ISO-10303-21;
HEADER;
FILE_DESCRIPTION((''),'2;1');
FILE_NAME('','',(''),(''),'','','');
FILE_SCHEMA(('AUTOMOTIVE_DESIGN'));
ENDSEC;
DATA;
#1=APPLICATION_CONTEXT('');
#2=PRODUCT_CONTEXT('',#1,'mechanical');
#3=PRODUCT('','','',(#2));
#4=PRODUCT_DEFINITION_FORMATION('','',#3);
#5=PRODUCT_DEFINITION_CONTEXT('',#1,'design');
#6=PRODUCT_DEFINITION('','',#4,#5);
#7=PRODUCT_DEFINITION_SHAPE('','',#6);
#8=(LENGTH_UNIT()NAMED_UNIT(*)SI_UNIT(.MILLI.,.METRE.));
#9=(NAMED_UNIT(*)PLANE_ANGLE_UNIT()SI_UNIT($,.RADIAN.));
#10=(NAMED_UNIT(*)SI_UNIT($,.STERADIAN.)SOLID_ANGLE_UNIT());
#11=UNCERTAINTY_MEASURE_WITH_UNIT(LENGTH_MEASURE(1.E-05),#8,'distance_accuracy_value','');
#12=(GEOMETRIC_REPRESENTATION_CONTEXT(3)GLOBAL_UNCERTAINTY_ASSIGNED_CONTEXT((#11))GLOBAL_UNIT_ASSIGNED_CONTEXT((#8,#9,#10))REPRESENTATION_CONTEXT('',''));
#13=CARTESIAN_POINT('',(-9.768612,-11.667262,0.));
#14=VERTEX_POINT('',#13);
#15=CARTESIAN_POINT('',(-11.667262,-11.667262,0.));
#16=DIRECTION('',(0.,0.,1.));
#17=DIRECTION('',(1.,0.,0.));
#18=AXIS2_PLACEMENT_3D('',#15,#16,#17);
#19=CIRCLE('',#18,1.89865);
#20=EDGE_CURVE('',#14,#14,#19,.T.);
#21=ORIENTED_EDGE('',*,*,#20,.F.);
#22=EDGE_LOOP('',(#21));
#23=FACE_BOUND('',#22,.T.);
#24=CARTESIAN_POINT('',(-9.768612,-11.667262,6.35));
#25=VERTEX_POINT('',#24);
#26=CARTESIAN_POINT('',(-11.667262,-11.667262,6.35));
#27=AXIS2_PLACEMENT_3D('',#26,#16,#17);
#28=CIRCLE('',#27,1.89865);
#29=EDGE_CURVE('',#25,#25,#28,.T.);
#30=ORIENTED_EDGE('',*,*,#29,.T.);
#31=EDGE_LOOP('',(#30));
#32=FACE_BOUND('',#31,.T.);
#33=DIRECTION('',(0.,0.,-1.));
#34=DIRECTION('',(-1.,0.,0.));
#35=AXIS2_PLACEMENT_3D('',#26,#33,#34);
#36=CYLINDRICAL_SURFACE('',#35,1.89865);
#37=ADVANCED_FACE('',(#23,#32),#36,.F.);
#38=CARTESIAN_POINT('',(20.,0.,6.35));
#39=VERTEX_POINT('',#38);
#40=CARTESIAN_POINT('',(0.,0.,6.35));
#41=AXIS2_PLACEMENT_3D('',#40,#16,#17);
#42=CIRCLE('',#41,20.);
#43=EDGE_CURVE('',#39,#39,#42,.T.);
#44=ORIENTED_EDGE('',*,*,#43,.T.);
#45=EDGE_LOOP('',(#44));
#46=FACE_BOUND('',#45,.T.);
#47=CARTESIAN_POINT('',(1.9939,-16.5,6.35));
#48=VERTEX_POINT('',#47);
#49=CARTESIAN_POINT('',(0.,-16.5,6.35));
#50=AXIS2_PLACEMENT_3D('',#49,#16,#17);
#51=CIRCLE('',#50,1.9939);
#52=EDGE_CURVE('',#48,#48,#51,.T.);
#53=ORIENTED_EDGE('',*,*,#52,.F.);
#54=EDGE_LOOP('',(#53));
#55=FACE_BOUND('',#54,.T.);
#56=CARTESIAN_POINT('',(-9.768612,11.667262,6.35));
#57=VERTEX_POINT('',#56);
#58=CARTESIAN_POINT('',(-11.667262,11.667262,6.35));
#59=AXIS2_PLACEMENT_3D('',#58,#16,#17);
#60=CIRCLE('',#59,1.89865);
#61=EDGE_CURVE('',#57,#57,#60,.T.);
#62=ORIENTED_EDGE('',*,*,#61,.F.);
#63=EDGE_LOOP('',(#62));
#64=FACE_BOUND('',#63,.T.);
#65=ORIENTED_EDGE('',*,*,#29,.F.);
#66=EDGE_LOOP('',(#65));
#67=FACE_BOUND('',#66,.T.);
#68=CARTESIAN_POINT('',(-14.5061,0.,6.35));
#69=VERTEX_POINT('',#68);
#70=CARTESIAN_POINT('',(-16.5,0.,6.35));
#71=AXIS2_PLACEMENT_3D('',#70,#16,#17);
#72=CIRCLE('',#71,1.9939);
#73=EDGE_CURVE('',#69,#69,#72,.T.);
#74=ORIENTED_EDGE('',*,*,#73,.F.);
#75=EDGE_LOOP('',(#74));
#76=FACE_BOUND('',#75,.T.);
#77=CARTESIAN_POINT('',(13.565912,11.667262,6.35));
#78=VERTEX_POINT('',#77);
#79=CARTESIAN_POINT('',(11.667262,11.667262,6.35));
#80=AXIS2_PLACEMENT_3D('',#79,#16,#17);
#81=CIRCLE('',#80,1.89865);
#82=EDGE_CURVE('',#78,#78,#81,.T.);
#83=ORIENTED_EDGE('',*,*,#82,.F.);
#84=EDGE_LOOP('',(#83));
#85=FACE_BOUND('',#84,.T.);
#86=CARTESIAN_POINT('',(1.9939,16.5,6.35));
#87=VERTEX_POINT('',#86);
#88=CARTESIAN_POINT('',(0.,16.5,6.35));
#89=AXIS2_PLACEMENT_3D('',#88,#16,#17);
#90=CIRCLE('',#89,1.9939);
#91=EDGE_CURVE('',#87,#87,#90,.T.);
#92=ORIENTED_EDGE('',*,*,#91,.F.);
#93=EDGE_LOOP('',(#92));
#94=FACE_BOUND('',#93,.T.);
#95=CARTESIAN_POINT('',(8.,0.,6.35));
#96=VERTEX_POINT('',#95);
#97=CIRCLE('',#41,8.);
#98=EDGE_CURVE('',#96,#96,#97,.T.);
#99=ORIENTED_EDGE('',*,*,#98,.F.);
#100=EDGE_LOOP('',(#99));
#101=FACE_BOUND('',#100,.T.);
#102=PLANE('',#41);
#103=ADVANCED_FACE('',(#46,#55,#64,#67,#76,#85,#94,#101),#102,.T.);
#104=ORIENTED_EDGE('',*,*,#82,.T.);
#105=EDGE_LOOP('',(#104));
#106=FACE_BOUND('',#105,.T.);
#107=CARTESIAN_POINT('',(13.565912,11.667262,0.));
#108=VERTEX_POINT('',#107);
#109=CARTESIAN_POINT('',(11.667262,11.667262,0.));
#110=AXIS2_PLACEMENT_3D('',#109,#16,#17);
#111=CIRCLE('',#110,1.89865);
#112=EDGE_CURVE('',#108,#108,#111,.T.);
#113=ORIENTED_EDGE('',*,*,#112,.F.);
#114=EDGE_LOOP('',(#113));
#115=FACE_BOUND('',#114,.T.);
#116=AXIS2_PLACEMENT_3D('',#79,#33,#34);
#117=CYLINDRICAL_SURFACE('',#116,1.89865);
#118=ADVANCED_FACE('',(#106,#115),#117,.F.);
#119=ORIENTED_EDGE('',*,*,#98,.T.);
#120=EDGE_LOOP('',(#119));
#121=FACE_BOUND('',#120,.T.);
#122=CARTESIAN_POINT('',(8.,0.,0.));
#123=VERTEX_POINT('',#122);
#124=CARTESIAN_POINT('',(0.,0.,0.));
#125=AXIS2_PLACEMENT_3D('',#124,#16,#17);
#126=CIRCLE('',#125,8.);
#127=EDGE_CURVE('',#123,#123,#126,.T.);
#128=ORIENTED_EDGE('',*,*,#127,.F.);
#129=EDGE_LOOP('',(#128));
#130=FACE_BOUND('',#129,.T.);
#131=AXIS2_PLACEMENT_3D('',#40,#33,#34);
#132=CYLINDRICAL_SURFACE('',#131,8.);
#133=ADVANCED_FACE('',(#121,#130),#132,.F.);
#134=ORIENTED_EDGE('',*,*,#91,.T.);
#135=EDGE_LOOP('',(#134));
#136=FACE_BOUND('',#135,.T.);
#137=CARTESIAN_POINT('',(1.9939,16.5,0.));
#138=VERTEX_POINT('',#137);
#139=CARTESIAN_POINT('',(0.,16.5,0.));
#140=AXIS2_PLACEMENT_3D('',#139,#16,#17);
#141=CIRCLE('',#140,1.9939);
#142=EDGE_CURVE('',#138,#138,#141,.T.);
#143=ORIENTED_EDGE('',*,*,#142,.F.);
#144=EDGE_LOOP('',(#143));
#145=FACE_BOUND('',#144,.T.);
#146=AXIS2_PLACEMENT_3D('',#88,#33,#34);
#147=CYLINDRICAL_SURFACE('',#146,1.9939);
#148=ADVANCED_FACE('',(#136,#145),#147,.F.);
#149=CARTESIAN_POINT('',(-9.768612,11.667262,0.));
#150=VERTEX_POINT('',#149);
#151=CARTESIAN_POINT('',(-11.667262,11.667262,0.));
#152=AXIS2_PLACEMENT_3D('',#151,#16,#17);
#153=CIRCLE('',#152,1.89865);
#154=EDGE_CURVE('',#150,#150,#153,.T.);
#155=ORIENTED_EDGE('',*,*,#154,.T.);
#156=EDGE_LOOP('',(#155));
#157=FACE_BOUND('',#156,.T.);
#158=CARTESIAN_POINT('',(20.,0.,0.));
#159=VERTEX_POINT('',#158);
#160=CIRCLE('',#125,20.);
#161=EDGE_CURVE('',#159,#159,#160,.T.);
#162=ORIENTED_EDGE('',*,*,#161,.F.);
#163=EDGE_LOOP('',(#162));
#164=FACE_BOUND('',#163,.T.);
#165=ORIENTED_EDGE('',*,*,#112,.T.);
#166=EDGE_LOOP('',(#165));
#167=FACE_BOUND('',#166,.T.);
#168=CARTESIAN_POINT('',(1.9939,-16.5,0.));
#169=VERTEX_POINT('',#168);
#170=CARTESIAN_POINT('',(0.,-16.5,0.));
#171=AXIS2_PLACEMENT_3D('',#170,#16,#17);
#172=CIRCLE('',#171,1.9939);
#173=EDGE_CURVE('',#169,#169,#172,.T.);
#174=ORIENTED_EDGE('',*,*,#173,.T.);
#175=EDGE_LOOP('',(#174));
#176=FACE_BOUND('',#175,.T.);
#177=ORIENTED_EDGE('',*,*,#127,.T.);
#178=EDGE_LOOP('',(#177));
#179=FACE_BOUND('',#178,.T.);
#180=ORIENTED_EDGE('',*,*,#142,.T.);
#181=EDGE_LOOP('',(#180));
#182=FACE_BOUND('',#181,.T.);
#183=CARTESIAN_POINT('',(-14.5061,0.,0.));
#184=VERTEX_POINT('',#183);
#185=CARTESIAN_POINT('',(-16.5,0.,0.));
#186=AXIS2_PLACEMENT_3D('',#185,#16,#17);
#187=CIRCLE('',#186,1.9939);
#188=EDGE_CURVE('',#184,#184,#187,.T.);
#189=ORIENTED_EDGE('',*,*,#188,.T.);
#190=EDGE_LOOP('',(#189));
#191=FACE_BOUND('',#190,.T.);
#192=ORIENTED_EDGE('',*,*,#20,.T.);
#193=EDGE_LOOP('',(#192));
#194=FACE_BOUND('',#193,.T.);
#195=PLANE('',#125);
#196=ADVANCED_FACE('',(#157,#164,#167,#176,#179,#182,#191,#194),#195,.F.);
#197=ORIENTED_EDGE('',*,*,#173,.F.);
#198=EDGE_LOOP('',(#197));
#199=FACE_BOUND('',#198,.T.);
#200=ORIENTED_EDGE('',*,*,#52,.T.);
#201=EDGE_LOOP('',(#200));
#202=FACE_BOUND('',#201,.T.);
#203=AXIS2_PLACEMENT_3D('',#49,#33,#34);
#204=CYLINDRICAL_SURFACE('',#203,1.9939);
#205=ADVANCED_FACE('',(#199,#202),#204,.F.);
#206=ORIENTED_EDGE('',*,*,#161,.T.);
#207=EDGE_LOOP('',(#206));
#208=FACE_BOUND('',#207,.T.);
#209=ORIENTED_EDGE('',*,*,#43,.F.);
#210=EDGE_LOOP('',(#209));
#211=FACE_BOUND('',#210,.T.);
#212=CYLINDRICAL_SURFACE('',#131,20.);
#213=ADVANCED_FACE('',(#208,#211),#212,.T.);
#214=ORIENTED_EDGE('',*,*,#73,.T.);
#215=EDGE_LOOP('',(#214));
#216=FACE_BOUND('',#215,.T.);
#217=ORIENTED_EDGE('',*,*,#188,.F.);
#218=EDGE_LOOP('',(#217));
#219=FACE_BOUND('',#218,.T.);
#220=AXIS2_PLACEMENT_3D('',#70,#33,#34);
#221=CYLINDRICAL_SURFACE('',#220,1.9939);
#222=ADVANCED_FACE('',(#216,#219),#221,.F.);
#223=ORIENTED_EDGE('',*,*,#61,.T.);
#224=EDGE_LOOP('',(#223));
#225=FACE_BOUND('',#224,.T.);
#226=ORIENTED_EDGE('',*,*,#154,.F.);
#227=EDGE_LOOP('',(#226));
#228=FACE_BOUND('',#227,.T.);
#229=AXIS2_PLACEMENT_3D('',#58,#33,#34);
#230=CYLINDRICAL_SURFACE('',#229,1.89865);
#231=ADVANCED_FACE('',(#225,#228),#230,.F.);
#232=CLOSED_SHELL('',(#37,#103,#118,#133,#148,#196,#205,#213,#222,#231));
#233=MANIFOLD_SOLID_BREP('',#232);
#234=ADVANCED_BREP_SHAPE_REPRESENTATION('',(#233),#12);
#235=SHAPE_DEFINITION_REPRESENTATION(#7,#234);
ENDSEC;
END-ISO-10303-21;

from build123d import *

# Parameters (mm, degrees)
SKETCH1_R           = 20
SKETCH1_R_2         = 8
SKETCH1_R_3         = 1.9939
SKETCH1_R_4         = 1.89865
BOSS_EXTRUDE1_DEPTH = 6.35


with BuildPart() as part:
    # Sketch1 → Boss-Extrude1 (new body)
    with BuildSketch(Plane.XY):
        Circle(SKETCH1_R)
        Circle(SKETCH1_R_2, mode=Mode.SUBTRACT)
        with Locations((0, 16.5)):
            Circle(SKETCH1_R_3, mode=Mode.SUBTRACT)
        with Locations((11.66726189, 11.66726189)):
            Circle(SKETCH1_R_4, mode=Mode.SUBTRACT)
        with Locations((0, -16.5)):
            Circle(SKETCH1_R_3, mode=Mode.SUBTRACT)
        with Locations((-11.66726189, -11.66726189)):
            Circle(SKETCH1_R_4, mode=Mode.SUBTRACT)
        with Locations((-16.5, 0)):
            Circle(SKETCH1_R_3, mode=Mode.SUBTRACT)
        with Locations((-11.66726189, 11.66726189)):
            Circle(SKETCH1_R_4, mode=Mode.SUBTRACT)
    extrude(amount=BOSS_EXTRUDE1_DEPTH)


solid = part.part
